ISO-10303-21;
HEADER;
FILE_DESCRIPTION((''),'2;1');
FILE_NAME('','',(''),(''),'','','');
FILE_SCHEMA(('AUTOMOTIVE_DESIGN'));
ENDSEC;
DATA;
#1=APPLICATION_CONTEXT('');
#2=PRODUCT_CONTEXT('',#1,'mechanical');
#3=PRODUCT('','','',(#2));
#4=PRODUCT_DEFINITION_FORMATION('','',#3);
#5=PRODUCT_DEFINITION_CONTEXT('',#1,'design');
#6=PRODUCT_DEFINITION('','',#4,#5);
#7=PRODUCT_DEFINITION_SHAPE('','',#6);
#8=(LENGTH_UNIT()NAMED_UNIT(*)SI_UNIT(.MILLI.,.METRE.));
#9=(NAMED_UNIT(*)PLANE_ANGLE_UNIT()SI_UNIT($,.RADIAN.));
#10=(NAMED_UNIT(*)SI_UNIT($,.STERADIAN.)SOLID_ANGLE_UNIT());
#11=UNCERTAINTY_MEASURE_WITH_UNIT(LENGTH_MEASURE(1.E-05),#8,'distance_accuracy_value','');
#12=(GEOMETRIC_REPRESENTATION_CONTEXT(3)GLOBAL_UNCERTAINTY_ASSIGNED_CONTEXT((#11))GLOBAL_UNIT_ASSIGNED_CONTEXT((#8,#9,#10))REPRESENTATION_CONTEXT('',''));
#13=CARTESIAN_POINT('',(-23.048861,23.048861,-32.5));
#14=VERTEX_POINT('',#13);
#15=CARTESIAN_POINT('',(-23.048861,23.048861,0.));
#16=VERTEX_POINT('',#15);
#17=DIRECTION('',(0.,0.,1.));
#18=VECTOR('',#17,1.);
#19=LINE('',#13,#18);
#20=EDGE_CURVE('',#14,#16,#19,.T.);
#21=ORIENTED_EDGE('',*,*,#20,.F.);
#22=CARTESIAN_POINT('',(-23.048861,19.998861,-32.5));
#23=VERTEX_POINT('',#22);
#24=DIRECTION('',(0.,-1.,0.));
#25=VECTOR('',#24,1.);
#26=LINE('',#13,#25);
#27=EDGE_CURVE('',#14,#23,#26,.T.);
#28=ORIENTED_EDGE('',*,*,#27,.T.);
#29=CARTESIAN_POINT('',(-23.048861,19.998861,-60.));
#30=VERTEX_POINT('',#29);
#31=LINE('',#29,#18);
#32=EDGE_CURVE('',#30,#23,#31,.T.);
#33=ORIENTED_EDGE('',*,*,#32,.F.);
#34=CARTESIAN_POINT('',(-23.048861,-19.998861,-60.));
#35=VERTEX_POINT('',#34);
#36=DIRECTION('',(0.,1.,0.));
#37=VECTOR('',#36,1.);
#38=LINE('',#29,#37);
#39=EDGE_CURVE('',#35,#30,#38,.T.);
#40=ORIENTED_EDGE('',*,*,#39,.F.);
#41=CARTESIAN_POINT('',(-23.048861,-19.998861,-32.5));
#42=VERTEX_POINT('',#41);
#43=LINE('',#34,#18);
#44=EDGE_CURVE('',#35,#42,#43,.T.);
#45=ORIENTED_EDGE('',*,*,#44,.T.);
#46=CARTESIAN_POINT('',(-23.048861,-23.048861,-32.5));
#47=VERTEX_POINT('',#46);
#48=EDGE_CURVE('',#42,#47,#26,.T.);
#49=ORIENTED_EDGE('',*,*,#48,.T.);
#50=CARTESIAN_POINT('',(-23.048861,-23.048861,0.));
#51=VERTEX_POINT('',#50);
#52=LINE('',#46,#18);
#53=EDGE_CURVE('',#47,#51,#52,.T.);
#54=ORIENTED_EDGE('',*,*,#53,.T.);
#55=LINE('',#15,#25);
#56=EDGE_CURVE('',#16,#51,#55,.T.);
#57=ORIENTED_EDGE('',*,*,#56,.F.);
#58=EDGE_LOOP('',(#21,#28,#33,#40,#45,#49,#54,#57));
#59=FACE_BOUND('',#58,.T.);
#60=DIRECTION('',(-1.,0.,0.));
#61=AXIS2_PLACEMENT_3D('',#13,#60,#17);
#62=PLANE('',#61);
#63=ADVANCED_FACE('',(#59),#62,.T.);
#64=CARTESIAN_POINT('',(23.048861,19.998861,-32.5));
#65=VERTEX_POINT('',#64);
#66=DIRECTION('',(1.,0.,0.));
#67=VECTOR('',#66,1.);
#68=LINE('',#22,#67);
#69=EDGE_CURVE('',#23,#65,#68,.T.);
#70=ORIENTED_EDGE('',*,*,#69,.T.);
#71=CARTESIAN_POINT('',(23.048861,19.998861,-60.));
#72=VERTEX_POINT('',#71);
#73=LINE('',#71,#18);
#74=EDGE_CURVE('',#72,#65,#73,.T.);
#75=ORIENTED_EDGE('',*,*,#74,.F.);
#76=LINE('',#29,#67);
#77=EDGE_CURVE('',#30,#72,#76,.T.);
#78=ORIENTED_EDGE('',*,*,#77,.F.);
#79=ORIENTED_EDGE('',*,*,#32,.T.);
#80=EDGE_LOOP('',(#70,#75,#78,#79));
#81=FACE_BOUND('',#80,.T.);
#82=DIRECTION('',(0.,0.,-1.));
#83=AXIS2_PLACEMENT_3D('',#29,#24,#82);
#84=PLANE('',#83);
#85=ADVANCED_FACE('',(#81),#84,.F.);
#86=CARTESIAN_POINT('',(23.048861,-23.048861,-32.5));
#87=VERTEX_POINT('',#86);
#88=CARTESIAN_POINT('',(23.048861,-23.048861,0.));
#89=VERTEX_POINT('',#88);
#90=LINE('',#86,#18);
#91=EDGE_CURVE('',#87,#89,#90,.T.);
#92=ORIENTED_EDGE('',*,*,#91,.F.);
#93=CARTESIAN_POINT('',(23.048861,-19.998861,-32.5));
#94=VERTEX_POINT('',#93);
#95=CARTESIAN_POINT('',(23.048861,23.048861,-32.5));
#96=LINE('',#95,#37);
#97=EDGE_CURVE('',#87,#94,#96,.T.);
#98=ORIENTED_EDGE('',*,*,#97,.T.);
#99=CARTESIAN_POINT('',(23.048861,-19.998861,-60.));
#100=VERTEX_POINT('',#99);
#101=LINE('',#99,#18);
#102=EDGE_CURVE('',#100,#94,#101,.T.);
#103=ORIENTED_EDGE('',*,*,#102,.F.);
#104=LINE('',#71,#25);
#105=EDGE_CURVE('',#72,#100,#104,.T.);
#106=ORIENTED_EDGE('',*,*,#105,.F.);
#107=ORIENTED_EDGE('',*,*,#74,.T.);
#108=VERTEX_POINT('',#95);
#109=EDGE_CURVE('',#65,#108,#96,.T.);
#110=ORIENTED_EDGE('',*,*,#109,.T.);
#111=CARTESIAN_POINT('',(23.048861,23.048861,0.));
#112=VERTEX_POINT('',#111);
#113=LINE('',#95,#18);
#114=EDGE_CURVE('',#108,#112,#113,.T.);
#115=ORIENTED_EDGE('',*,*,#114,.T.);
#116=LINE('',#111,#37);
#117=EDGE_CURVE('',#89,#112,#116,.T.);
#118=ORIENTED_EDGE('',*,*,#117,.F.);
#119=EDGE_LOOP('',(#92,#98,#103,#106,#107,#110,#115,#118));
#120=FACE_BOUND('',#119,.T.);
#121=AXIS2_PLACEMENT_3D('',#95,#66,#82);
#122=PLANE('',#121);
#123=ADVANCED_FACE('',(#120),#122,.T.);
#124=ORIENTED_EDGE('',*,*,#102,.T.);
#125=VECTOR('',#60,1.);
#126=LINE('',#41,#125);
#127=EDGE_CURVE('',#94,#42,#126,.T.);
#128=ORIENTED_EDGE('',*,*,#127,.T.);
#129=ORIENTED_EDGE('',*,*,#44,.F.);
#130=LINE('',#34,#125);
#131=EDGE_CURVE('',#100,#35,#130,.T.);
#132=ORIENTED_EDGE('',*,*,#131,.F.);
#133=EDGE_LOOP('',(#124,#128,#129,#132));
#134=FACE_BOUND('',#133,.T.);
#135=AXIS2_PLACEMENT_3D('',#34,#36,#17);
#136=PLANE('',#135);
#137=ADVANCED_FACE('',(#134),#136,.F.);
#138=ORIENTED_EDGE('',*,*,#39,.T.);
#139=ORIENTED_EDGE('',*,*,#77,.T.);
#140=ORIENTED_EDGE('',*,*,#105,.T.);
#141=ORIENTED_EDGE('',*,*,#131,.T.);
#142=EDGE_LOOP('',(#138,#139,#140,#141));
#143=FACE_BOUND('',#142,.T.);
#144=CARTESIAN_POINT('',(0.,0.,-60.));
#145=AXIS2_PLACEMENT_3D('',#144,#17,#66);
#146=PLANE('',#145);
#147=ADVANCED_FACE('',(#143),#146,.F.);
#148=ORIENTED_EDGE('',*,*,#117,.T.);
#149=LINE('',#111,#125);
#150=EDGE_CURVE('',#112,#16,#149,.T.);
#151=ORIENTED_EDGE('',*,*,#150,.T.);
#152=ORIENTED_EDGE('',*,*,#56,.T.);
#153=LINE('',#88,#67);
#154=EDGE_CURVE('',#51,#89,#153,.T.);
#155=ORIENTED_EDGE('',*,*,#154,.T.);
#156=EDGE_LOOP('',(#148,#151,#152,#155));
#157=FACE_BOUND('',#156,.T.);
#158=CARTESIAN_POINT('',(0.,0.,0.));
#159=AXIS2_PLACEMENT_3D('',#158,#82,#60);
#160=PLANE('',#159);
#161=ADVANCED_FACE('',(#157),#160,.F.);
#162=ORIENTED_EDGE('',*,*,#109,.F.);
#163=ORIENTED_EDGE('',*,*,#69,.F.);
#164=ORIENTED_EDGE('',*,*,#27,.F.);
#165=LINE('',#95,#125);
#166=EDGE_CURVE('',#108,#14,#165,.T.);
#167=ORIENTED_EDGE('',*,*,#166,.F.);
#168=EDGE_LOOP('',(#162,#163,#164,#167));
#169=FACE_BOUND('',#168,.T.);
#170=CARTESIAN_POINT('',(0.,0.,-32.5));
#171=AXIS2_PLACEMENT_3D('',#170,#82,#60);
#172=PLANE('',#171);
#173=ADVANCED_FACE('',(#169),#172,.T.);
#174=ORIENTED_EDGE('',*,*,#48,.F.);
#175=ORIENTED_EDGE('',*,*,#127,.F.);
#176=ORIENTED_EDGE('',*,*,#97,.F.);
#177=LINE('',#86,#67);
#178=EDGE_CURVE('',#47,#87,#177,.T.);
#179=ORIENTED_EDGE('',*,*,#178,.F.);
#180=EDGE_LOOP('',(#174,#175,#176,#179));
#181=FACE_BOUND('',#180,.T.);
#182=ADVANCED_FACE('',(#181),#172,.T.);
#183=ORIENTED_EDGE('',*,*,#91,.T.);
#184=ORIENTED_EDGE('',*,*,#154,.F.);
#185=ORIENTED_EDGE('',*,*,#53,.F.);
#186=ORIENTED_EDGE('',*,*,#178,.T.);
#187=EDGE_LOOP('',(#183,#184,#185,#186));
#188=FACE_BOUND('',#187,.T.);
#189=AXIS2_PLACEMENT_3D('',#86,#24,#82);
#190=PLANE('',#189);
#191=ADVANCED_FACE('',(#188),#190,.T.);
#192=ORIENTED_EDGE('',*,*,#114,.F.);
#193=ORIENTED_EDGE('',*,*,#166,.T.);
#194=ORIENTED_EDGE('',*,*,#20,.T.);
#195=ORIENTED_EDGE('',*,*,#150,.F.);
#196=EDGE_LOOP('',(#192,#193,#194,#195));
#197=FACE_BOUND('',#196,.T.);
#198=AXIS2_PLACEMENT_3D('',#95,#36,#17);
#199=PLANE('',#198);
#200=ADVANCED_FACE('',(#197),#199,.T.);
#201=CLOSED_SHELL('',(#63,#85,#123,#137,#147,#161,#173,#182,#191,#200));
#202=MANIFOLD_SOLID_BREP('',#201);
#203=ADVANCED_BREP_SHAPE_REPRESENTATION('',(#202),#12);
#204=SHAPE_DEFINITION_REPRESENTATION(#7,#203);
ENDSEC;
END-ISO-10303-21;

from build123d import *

# Parameters (mm, degrees)
SKETCH1_W           = 46.097722286
SKETCH1_H           = 46.097722286
BOSS_EXTRUDE1_DEPTH = 32.5
SKETCH2_W           = 46.097722286
SKETCH2_H           = 39.997722286
BOSS_EXTRUDE2_DEPTH = 27.5


with BuildPart() as part:
    # Sketch1 → Boss-Extrude1 (new body)
    with BuildSketch(Plane(origin=(0, 0, 0), x_dir=(-1, 0, 0), z_dir=(0, 0, 1))):
        Rectangle(SKETCH1_W, SKETCH1_H)
    extrude(amount=-BOSS_EXTRUDE1_DEPTH)

    # Sketch2 → Boss-Extrude2 (add)
    with BuildSketch(Plane(origin=(0, 0, -32.5), x_dir=(-1, 0, 0), z_dir=(0, 0, -1))):
        Rectangle(SKETCH2_W, SKETCH2_H)
    extrude(amount=BOSS_EXTRUDE2_DEPTH)


solid = part.part
